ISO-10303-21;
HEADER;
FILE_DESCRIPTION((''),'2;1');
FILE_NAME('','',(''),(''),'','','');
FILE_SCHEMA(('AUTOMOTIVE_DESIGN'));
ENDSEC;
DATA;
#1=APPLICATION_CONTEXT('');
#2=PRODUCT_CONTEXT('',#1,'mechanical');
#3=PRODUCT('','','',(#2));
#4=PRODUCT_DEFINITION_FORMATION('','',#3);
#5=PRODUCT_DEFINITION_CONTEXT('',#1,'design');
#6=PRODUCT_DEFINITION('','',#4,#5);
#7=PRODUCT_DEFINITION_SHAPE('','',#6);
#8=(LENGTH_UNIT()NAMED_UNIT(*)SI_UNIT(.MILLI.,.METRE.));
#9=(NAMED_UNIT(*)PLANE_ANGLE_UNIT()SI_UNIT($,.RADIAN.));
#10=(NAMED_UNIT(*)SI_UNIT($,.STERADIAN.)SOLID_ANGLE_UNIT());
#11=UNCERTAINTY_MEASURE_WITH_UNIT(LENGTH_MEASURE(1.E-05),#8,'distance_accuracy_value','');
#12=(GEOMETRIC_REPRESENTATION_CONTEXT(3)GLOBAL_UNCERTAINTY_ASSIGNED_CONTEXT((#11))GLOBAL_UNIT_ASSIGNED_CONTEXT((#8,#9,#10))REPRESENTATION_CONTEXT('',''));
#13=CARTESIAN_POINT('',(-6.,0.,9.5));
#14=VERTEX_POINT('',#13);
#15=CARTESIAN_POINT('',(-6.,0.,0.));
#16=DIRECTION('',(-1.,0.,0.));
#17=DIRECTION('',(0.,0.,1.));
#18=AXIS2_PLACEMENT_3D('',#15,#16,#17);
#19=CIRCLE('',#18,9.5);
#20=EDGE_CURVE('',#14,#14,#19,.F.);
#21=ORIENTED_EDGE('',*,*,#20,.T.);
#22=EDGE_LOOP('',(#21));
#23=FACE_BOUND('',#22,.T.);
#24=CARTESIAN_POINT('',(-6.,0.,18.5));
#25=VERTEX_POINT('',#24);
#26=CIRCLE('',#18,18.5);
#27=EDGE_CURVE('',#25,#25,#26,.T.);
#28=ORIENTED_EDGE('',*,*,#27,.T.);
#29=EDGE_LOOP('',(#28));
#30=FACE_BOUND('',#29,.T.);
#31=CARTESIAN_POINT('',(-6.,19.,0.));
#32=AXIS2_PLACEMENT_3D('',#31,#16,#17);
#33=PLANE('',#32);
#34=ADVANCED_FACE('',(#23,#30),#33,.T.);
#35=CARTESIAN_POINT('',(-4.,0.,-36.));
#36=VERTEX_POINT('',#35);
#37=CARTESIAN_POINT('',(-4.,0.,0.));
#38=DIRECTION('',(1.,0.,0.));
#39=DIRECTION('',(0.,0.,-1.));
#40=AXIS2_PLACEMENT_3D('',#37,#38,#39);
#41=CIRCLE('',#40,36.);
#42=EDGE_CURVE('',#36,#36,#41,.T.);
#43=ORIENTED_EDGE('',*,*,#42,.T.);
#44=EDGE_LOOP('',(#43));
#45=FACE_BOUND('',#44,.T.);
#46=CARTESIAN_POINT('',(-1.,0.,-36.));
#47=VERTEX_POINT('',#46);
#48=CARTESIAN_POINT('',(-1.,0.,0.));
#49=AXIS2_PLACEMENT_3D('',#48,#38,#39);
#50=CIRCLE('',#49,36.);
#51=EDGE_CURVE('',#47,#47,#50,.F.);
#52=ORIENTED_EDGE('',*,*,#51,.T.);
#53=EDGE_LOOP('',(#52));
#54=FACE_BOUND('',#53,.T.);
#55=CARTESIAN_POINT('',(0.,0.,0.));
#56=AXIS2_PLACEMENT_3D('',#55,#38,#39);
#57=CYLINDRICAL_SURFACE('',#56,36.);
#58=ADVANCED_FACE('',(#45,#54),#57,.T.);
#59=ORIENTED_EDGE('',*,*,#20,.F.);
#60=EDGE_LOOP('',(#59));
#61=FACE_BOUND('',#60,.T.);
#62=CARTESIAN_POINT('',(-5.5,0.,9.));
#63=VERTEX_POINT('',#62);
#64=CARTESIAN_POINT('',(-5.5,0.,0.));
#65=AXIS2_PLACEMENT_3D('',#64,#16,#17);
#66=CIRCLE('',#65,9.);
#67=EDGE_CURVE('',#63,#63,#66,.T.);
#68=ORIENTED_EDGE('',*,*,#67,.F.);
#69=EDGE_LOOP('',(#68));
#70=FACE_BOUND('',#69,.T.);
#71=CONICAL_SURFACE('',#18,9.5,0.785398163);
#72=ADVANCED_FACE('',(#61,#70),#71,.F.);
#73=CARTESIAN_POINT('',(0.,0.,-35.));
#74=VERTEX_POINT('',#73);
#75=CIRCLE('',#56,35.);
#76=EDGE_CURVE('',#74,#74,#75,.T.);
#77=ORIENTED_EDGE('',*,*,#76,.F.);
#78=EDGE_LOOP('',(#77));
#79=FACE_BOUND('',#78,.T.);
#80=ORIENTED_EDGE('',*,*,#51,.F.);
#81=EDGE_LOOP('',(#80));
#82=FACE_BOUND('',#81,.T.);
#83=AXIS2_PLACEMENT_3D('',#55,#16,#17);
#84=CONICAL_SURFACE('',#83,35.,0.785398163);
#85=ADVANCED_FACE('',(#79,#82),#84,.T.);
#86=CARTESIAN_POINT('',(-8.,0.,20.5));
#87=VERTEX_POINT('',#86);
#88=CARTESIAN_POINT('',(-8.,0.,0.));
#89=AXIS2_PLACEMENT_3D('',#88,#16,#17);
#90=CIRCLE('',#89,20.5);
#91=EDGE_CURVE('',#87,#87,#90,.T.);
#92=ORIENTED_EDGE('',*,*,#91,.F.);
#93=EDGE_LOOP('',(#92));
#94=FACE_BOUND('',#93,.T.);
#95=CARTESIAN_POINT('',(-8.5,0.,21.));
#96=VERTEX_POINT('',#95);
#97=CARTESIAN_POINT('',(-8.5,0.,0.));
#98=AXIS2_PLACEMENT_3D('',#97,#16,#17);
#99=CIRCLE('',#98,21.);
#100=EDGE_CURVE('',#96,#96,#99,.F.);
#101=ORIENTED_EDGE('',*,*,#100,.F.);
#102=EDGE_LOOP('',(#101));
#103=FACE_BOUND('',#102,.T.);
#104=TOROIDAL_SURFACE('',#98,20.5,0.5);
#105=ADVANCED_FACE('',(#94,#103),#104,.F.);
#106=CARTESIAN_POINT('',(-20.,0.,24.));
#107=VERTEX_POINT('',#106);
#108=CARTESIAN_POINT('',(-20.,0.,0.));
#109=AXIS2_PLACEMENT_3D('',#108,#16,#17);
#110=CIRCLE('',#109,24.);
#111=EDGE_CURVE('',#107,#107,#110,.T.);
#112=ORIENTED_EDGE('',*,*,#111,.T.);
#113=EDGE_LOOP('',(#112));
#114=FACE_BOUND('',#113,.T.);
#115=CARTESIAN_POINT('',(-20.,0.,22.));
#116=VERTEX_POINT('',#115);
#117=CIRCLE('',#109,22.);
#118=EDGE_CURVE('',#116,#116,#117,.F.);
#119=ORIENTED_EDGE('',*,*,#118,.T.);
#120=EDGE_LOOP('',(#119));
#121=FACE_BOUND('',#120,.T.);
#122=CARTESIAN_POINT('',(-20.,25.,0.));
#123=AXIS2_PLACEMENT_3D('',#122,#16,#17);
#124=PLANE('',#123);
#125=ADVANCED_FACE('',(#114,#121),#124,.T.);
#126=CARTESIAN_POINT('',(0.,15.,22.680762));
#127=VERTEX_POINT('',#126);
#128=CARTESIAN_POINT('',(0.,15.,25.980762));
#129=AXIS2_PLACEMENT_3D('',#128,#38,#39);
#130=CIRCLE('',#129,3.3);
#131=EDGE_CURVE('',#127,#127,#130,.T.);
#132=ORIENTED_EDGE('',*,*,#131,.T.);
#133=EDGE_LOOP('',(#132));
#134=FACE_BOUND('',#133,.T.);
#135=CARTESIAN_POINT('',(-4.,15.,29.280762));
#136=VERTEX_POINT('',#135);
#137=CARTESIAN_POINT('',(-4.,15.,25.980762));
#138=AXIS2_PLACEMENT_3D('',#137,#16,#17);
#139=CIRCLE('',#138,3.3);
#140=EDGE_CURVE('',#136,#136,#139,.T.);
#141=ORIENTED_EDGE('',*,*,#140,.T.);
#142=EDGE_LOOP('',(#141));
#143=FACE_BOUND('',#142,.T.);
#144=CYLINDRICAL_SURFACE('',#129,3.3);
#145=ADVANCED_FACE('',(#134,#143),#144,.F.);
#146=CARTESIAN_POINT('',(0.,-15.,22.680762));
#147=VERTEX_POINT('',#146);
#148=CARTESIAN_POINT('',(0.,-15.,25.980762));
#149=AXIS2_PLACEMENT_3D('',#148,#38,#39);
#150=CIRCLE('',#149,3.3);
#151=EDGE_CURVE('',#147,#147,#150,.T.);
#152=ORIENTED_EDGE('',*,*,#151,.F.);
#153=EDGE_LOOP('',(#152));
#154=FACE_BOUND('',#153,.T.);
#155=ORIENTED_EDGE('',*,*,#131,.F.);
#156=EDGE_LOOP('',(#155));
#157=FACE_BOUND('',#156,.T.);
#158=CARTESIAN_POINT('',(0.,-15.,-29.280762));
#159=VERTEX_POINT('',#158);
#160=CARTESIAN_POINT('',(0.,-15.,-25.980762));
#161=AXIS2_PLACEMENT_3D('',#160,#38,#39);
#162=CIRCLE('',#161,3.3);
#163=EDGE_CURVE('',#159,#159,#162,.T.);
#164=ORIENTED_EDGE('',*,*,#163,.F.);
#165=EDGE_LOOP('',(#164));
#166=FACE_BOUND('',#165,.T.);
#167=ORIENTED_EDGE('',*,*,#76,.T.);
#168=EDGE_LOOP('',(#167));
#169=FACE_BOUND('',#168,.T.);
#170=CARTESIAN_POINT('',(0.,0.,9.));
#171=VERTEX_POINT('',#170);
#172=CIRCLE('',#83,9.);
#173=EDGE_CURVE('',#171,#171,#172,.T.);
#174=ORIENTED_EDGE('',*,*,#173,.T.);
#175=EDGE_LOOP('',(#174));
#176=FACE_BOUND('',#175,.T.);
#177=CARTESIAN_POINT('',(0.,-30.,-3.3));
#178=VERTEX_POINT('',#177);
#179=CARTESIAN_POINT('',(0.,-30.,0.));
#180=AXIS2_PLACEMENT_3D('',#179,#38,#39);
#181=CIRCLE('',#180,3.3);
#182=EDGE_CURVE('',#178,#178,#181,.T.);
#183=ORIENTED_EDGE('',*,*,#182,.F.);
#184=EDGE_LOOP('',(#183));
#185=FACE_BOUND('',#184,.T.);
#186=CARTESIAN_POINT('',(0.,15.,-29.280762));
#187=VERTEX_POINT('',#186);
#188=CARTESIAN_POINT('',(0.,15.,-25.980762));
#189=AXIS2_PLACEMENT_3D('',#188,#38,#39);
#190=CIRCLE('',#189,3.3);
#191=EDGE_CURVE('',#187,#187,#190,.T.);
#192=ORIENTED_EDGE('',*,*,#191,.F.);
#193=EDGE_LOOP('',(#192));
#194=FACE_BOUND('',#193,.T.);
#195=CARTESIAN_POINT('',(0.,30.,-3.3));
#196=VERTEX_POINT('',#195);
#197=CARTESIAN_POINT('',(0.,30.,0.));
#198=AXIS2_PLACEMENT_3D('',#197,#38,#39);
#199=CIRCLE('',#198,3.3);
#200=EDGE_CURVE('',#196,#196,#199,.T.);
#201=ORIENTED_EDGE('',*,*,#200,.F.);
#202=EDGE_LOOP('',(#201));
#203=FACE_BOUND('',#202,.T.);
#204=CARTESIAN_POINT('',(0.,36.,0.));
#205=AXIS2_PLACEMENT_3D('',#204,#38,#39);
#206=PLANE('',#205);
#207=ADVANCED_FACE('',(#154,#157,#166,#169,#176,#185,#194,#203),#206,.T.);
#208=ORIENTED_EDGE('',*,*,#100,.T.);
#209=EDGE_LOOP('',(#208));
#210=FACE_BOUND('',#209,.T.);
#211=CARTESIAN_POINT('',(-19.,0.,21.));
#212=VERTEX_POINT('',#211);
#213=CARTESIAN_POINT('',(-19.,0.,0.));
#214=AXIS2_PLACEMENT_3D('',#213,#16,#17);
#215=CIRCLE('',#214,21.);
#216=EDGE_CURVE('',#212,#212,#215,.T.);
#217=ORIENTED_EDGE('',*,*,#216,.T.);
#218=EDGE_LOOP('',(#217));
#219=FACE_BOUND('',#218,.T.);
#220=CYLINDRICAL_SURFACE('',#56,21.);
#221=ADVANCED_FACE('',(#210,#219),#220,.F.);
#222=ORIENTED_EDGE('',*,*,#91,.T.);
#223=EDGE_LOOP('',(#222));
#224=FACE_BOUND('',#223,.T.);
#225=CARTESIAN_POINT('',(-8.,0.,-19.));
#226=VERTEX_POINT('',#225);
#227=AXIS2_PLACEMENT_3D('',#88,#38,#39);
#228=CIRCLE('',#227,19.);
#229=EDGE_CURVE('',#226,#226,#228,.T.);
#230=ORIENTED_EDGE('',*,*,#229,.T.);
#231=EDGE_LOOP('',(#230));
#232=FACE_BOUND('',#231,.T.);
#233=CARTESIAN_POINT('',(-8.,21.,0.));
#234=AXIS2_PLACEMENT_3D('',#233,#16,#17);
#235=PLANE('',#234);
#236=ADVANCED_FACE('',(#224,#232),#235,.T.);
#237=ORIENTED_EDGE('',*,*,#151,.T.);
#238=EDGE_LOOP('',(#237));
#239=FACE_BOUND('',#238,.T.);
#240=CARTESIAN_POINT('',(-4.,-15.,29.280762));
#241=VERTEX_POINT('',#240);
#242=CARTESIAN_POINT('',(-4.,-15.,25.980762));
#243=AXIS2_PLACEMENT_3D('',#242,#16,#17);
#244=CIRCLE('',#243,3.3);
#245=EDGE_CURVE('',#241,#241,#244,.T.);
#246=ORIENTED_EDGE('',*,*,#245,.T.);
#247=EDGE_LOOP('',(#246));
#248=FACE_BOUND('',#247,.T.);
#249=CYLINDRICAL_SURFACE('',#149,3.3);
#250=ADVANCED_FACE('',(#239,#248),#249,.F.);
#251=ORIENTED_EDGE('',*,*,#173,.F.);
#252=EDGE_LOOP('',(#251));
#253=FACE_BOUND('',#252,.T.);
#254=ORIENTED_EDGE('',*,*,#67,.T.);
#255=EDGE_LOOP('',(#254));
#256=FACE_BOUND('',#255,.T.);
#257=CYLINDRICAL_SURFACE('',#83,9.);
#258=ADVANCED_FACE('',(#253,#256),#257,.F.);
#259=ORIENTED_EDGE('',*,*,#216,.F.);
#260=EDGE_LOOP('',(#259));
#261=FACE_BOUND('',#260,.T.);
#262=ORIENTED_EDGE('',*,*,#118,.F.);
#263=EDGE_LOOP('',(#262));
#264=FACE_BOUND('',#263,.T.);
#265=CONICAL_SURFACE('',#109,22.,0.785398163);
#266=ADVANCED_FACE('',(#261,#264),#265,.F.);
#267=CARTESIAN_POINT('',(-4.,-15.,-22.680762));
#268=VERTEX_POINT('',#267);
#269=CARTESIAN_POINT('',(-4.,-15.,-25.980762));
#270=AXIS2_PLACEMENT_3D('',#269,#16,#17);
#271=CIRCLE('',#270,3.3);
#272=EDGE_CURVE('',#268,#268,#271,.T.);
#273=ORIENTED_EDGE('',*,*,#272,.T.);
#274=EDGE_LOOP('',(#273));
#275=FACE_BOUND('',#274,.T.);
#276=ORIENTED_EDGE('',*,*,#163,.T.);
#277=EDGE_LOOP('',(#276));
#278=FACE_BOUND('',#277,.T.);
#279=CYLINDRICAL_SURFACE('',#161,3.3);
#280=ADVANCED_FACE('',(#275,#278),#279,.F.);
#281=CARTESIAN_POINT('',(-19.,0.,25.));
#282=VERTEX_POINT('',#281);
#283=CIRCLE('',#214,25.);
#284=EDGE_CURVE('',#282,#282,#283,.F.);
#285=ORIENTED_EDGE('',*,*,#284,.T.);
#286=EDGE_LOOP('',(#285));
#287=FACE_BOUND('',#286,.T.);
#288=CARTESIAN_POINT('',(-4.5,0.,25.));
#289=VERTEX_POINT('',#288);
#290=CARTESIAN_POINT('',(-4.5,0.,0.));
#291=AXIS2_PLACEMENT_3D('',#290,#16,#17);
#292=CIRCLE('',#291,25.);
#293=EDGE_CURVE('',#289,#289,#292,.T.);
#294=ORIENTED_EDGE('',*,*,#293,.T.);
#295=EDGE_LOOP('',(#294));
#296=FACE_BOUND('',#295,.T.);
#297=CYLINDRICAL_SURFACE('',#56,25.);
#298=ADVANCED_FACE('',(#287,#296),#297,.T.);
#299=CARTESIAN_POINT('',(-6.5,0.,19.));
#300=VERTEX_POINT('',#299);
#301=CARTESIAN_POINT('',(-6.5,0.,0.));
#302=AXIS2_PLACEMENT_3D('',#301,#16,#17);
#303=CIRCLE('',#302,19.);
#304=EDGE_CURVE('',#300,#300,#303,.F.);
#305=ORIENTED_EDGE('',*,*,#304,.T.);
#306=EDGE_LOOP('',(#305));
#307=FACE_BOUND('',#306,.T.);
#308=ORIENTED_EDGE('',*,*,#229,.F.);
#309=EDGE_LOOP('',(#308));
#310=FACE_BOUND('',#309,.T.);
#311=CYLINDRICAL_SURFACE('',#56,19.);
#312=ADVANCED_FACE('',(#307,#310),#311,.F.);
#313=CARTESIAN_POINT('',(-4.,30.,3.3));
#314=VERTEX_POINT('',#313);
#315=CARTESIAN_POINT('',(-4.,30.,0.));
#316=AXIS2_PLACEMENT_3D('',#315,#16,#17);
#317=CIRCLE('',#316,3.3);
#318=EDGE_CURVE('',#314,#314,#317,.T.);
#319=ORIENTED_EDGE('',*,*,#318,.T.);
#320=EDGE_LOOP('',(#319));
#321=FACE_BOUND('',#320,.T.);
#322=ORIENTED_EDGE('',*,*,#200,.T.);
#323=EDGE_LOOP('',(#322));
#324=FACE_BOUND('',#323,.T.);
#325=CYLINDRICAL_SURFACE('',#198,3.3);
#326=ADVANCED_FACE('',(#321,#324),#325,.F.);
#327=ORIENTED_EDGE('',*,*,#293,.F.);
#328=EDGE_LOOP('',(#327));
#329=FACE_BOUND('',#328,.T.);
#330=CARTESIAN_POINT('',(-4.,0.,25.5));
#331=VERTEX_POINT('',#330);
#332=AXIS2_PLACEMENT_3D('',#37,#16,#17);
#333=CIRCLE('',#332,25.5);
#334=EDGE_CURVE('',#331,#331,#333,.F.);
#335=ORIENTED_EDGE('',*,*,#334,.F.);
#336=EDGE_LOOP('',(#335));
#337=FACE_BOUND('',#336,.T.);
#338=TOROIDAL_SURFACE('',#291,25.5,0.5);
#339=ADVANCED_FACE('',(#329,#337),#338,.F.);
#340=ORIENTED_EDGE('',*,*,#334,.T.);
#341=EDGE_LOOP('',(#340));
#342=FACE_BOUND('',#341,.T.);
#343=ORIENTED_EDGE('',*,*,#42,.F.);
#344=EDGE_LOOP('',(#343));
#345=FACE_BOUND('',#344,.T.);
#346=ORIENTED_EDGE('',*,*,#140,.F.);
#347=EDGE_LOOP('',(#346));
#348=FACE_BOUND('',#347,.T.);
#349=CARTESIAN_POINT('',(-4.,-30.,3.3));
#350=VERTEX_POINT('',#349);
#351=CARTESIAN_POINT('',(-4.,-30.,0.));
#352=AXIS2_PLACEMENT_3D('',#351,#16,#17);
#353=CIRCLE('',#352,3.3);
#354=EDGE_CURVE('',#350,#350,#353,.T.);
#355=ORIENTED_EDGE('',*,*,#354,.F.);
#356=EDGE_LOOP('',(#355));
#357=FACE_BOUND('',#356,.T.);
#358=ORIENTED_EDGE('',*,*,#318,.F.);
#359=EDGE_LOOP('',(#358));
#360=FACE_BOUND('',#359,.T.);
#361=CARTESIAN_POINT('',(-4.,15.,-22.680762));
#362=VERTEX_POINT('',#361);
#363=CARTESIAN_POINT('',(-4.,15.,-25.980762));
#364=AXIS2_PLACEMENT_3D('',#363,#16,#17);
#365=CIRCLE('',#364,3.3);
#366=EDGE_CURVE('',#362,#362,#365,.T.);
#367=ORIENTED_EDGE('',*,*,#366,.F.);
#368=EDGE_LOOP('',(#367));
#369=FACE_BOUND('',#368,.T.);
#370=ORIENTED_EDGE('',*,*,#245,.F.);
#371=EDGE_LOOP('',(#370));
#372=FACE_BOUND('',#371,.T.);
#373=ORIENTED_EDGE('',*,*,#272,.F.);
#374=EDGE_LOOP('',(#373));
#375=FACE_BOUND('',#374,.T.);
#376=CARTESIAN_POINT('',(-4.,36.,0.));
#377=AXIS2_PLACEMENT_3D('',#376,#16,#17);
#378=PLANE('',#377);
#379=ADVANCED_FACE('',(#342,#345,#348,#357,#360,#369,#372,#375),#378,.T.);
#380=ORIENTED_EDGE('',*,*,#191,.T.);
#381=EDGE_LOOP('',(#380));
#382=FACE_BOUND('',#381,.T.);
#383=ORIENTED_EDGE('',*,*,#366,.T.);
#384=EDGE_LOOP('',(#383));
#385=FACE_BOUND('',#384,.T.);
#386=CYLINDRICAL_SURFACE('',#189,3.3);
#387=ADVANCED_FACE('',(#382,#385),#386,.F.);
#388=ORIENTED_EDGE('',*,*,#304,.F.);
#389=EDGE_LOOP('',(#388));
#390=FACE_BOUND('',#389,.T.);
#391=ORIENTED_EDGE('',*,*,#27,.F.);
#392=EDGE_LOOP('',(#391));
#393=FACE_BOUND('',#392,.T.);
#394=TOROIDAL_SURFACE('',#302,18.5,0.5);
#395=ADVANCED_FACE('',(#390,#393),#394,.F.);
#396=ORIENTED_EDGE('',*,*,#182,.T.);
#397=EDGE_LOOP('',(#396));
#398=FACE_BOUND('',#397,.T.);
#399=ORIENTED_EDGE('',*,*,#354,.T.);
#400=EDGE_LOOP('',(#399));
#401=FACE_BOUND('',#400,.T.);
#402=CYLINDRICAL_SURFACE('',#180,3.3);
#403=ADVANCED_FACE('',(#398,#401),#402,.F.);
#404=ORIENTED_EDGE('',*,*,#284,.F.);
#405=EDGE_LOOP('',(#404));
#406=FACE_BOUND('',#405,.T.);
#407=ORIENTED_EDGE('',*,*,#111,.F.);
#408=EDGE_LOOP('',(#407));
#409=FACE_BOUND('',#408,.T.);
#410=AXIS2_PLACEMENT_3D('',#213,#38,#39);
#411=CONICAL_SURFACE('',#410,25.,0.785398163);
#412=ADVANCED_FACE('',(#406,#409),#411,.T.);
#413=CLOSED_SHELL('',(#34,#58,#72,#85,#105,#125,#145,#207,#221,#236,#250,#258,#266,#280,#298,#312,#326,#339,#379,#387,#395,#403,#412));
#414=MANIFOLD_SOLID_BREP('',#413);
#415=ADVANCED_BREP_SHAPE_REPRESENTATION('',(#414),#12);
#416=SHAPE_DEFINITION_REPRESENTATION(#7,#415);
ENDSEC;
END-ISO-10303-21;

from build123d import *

# Parameters (mm, degrees)
SKETCH_2_W               = 20
SKETCH_2_H               = 9
CHAMFER_1_SIZE           = 1
FILLET_1_R               = 0.5
CHAMFER_2_SIZE           = 0.5
CHAMFER_3_SIZE           = 1
PATTERN_CIRCULAR_1_COUNT = 6


with BuildPart() as part:
    # Эскиз1 → Повернуть1 (revolve)
    with BuildSketch(Plane.XY):
        Polygon((0, 36), (0, 0), (-6, 0), (-6, 19), (-8, 19), (-8, 21), (-20, 21), (-20, 25), (-4, 25), (-4, 36), align=None)
    revolve(axis=Axis((0, 0, 0), (-1, 0, 0)))

    # Эскиз2 → Вырез-Повернуть1 (revolve, cut)
    with BuildSketch(Plane.XY):
        with Locations((-10, 4.5)):
            Rectangle(SKETCH_2_W, SKETCH_2_H)
    revolve(axis=Axis((0, 0, 0), (1, 0, 0)), mode=Mode.SUBTRACT)

    # Фаска1
    chamfer_1_edges = [part.edges().sort_by_distance(p)[0] for p in [
        (-20, -25, 0),
        (-20, -21, 0),
    ]]
    chamfer(chamfer_1_edges, length=CHAMFER_1_SIZE)

    # Скругление1
    fillet_1_edges = [part.edges().sort_by_distance(p)[0] for p in [
        (-6, -19, 0),
        (-4, -25, 0),
        (-8, -21, 0),
    ]]
    fillet(fillet_1_edges, radius=FILLET_1_R)

    # Фаска2
    chamfer_2_edges = [part.edges().sort_by_distance(p)[0] for p in [
        (-6, -9, 0),
    ]]
    chamfer(chamfer_2_edges, length=CHAMFER_2_SIZE)

    # Фаска3
    chamfer_3_edges = [part.edges().sort_by_distance(p)[0] for p in [
        (0, -36, 0),
    ]]
    chamfer(chamfer_3_edges, length=CHAMFER_3_SIZE)

    # Эскиз3 → Отверстие с зазором M61 (revolve, cut)
    with BuildSketch(Plane(origin=(0, -30, 0), x_dir=(0, 0, -1), z_dir=(0, 1, 0))):
        Polygon((0, 0), (0, 17.982840043), (3.3, 16), (3.3, 0), align=None)
    hole_wizard_m61 = revolve(axis=Axis((6.35, -30, 0), (-1, 0, 0)), mode=Mode.SUBTRACT)

    # Круговой массив1: Отверстие с зазором M61 ×6 about axis
    pattern_circular_1_axis = Axis((0, 0, 0), (1, 0, 0))
    for i in range(1, PATTERN_CIRCULAR_1_COUNT):
        add(hole_wizard_m61.rotate(pattern_circular_1_axis, i * 360 / PATTERN_CIRCULAR_1_COUNT), mode=Mode.SUBTRACT)


solid = part.part
